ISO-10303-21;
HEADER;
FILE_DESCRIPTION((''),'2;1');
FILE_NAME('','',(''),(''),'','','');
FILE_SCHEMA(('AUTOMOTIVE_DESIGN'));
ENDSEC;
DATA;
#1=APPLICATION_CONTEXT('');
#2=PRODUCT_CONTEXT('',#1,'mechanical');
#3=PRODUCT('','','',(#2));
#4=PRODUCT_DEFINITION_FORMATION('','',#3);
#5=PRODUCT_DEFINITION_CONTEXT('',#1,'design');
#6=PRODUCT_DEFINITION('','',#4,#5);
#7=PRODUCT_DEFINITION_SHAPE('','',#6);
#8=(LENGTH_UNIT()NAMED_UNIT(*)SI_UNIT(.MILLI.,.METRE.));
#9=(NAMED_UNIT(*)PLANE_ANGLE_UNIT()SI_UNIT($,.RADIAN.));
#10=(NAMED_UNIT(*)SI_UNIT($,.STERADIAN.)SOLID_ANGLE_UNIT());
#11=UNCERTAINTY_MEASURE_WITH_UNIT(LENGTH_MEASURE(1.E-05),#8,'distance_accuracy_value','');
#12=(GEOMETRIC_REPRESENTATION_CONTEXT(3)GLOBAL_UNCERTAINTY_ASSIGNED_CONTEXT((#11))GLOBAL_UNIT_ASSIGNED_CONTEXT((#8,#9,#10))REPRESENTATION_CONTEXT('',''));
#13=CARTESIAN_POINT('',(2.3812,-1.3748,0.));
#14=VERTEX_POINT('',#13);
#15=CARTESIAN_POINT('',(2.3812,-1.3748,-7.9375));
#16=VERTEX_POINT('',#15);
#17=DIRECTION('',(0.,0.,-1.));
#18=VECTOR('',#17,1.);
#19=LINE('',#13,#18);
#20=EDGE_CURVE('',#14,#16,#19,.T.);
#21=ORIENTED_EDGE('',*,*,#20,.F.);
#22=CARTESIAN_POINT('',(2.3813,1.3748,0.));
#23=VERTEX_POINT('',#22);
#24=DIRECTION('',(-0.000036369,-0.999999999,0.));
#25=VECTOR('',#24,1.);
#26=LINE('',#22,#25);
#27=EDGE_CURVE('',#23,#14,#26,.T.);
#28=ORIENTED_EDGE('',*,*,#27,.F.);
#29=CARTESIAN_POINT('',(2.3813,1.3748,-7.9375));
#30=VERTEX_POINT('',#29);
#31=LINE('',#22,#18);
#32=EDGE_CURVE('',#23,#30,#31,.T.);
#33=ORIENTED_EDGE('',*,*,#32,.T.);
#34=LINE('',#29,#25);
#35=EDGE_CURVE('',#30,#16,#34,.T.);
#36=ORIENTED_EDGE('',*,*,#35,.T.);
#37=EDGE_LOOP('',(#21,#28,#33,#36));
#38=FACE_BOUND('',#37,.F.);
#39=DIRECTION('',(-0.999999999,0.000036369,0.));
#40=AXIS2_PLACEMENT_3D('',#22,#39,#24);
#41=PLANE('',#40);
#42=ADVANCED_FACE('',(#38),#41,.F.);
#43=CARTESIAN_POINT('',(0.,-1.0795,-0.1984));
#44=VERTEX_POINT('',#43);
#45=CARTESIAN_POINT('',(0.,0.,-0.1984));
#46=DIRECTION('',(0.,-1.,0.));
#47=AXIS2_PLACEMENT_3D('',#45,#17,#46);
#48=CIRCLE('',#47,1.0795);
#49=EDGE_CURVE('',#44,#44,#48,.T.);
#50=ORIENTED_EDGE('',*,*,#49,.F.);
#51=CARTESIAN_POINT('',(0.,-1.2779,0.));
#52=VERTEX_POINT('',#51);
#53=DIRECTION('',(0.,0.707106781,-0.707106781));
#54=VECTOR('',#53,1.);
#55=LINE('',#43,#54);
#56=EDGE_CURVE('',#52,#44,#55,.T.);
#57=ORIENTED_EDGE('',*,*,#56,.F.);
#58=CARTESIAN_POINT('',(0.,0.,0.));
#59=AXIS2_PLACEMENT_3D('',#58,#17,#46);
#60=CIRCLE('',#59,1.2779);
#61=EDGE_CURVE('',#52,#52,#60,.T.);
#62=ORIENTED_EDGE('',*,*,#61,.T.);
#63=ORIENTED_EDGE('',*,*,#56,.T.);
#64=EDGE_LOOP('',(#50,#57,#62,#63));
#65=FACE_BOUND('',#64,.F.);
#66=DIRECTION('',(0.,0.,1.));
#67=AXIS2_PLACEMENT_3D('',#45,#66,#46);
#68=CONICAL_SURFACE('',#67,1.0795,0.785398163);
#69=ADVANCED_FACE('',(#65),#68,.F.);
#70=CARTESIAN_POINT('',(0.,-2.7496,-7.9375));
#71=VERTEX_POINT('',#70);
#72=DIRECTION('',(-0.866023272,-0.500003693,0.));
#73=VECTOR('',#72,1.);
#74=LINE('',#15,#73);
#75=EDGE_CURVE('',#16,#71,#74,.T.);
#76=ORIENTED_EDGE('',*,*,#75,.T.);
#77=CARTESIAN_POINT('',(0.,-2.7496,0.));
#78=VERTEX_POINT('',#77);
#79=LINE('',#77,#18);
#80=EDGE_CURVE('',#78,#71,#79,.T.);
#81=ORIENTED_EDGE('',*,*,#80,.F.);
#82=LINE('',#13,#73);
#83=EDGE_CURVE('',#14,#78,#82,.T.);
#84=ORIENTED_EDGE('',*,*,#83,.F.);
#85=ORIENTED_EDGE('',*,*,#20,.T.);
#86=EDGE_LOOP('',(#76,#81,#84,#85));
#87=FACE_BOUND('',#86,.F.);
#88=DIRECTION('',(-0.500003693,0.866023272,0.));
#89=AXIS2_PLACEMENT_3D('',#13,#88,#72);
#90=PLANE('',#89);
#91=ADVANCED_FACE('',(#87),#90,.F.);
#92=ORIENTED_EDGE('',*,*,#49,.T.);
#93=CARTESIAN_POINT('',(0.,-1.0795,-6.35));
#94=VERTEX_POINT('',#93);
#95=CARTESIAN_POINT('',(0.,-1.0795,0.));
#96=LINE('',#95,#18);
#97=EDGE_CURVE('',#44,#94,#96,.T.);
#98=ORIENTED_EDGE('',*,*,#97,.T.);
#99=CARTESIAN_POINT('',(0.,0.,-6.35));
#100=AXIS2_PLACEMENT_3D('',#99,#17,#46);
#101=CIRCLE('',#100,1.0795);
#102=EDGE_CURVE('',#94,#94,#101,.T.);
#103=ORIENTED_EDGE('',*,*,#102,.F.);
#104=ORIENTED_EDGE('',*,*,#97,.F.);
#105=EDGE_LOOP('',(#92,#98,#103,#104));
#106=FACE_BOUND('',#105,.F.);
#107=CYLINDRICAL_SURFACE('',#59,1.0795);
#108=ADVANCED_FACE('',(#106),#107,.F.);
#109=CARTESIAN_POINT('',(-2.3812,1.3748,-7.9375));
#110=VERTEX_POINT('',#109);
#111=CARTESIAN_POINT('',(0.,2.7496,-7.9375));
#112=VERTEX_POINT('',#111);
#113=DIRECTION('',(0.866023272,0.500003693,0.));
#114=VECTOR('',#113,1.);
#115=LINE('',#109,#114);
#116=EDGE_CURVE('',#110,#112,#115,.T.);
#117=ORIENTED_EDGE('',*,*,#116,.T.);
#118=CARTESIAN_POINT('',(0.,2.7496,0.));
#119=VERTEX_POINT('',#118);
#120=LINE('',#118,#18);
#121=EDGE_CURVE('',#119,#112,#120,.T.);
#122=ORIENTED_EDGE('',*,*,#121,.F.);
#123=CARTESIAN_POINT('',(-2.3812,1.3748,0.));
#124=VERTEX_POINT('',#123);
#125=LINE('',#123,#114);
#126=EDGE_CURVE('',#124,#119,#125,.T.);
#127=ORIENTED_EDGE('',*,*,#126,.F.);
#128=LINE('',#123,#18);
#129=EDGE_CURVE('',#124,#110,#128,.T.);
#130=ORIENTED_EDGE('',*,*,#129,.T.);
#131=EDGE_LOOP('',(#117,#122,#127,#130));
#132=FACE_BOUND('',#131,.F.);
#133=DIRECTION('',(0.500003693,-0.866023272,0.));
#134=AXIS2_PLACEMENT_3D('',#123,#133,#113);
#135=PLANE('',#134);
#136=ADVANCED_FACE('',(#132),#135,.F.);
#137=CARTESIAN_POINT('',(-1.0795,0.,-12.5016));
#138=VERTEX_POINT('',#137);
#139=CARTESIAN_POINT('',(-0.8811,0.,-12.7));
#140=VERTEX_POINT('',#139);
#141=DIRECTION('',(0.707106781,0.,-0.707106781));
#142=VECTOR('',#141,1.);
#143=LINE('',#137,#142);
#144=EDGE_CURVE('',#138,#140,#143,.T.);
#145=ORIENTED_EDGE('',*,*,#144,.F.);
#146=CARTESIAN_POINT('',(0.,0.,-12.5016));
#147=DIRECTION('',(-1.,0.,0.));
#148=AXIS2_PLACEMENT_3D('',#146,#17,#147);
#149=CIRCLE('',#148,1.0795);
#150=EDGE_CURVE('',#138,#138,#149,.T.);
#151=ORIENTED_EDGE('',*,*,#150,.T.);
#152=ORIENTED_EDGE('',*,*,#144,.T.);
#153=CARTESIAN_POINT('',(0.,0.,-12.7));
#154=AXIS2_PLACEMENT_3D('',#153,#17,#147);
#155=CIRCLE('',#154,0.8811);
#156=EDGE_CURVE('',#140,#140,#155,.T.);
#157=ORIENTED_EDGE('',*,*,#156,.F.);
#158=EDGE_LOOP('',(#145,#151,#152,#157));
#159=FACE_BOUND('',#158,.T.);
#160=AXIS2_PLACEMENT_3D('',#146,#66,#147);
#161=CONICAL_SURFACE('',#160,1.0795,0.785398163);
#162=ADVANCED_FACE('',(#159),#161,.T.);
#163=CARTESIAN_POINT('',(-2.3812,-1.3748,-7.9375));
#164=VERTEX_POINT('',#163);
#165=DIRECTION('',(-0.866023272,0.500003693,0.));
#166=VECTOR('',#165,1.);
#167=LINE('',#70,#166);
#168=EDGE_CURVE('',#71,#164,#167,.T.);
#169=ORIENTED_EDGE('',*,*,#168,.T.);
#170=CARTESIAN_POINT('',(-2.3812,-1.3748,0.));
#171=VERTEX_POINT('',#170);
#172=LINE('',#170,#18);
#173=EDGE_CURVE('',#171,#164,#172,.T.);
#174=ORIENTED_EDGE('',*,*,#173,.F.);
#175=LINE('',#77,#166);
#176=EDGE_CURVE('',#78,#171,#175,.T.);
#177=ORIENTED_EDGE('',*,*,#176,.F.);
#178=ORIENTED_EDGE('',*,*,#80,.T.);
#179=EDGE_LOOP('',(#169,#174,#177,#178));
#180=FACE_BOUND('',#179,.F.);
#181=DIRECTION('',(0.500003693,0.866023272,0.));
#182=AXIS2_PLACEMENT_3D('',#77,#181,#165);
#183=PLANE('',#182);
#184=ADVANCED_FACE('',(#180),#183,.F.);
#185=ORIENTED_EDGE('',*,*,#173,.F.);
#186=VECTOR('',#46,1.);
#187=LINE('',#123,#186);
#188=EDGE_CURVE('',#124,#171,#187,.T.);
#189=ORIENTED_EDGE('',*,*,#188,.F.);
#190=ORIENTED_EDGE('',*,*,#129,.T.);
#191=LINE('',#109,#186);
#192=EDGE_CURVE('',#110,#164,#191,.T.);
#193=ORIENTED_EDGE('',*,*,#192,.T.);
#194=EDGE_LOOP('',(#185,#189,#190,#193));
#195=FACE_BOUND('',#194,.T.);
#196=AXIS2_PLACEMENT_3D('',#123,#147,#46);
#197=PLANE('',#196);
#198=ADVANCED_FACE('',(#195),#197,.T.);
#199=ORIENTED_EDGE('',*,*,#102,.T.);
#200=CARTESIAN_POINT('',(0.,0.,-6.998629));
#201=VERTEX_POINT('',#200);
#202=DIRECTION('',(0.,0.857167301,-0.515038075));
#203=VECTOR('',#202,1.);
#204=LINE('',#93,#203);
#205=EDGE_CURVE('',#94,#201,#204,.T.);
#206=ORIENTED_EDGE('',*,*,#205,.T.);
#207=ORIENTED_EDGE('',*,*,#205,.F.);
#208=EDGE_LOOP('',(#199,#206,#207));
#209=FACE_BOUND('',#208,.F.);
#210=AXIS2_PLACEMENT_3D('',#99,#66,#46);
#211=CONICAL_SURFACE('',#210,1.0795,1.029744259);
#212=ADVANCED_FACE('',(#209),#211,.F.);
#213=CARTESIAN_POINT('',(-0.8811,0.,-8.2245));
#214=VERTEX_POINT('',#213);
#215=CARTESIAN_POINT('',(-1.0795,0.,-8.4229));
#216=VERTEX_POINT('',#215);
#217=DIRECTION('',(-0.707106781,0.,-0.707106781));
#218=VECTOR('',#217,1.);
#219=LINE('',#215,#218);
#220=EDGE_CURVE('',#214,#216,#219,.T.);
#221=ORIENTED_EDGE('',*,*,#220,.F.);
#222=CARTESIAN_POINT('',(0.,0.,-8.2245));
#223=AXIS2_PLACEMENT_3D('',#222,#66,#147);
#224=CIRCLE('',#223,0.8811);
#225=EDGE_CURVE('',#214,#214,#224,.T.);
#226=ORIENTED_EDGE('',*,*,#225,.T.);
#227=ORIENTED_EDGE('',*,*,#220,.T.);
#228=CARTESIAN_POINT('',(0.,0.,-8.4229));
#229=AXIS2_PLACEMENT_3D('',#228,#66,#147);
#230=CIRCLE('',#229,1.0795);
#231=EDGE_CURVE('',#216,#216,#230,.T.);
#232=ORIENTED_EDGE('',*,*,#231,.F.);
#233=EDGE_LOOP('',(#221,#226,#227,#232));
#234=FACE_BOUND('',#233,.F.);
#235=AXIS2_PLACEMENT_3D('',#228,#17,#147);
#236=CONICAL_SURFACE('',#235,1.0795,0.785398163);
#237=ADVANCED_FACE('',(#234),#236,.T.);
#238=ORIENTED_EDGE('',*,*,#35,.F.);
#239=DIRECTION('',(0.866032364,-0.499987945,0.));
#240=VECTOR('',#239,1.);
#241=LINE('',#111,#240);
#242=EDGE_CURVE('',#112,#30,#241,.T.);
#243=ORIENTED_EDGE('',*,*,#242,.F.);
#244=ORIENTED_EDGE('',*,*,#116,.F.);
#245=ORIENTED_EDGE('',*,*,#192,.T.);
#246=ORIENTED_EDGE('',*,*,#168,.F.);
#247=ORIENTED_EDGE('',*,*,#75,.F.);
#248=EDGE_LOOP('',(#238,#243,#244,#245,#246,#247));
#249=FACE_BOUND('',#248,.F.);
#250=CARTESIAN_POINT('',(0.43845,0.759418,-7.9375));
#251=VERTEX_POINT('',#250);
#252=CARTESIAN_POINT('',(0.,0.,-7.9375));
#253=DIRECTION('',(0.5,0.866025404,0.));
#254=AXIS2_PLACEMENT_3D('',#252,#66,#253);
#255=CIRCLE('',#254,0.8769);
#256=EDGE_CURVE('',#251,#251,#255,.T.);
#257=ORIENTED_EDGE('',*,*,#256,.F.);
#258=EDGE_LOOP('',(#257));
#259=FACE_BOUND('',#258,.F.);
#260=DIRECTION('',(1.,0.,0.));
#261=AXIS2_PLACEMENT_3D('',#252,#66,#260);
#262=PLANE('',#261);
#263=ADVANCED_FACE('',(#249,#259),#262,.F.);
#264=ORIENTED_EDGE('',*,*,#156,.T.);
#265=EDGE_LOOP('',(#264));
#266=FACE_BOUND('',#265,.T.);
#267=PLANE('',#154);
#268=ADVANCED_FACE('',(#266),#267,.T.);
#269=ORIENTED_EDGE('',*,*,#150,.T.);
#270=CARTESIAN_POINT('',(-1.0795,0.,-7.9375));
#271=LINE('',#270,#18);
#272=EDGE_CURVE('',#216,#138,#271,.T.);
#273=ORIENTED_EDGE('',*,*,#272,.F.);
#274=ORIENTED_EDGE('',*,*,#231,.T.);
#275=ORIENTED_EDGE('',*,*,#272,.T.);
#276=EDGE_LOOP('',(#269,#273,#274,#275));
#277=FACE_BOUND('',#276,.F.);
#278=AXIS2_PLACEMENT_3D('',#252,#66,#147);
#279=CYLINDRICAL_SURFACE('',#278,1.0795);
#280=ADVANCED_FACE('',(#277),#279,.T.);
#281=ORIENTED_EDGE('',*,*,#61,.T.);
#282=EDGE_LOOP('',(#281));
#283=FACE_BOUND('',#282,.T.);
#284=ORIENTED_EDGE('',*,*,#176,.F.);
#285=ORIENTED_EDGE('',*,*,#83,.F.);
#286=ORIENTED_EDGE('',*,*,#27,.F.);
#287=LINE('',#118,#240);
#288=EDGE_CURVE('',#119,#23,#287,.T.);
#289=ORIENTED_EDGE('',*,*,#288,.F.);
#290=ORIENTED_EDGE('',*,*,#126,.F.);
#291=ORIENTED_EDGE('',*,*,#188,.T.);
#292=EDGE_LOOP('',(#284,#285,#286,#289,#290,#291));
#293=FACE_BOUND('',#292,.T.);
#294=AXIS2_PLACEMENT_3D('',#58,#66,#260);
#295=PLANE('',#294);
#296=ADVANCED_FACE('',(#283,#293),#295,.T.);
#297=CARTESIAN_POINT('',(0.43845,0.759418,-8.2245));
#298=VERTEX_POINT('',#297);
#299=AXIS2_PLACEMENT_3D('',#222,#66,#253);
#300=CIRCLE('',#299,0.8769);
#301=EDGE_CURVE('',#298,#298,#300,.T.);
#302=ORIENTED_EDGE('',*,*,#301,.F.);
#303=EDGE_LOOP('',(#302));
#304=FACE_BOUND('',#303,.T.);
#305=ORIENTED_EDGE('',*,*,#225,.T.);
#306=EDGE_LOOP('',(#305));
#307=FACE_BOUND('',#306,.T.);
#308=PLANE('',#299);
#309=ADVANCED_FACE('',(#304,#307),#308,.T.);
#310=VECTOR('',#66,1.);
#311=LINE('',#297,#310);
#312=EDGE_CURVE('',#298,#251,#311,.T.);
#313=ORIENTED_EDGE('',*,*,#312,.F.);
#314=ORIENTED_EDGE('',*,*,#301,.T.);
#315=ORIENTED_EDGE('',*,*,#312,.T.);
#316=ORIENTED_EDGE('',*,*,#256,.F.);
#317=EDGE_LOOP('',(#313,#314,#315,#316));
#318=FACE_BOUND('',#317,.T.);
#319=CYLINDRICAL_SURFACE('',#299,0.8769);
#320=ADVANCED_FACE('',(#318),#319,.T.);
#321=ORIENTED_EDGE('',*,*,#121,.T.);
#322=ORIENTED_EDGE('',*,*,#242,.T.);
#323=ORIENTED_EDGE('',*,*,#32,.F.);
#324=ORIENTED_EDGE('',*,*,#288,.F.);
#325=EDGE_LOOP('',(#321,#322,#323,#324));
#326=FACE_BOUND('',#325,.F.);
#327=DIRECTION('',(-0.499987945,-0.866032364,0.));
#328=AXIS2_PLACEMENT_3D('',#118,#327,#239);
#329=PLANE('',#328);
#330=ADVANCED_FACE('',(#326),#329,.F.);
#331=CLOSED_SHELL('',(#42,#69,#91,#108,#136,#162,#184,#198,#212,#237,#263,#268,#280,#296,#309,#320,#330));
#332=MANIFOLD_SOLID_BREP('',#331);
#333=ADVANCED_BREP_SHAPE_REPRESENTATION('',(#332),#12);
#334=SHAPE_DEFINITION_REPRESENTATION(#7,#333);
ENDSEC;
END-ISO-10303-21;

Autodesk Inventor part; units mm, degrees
ref_plane "YZ Plane" through (0, 0, 0) normal (1, 0, 0) x (0, 1, 0)
ref_plane "XZ Plane" through (0, 0, 0) normal (0, 1, 0) x (-1, 0, 0)
sketch "Sketch2" plane through (0, 0, 0) normal (0, 0, 1) x (1, 0, 0)
  line L0 (2.3813, 1.3748) -> (2.3812, -1.3748)
  line L1 (2.3812, -1.3748) -> (0, -2.7496)
  line L2 (0, -2.7496) -> (-2.3812, -1.3748)
  line L3 (-2.3812, 1.3748) -> (-2.3812, -1.3748)
  line L4 (-2.3812, 1.3748) -> (0, 2.7496)
  line L5 (0, 2.7496) -> (2.3813, 1.3748)
  circle A0 centre (0, 0) radius 2.7496 construction
  line L6 (0, 25.4) -> (0, -25.4) construction
  dimension "d3" = 4.7625
extrude "Hexagon1" add sketch "Sketch2" against normal blind 7.9375
sketch "Sketch3" plane through (0, 0, -7.9375) normal (0, 0, -1) x (-1, 0, 0)
  circle A0 centre (0, 0) radius 1.0795
  dimension "d11" = 2.159
sketch "Sketch4" plane through (0, 0, 0) normal (0, 0, 1) x (1, 0, 0)
  point P0 (0, 0)
hole "Hole1" at (0, 0, 0) direction (0, 0, -1) diameter 2.159 depth 6.35 tip angle 118
extrude "Extrusion2" add sketch "Sketch3" along normal blind 4.7625
chamfer "Chamfer1" distance 0.1984 angle 45 1 edges at (1.0795, 0, -12.7)
chamfer "Chamfer2" distance 0.1984 angle 45 1 edges at (0, 1.0795, 0)
thread "Thread1" size "2-56 UNC" class "2A" standard "ANSI Unified Screw Threads" full length
ref_plane "Work Plane1" through (0, 0, -12.6008) normal (0.866, -0.5, 0) x (0, 0, 1)
sketch "Sketch5" plane through (0, 0, -12.6008) normal (0.866, -0.5, 0) x (0, 0, 1)
  line L0 (4.6633, 0) -> (4.6633, -2.3812) projected
  line L1 (4.6633, -1.0795) -> (0.0992, -1.0795) projected
  line L2 (4.6633, -1.0795) -> (4.3763, -1.0795)
  line L3 (4.3763, -1.0795) -> (4.3763, -0.8769)
  line L4 (4.3763, -0.8769) -> (4.6633, -0.8769)
  line L5 (4.6633, -0.8769) -> (4.6633, -1.0795)
  line L6 (-2.6392, 0) -> (15.1408, 0) projected
revolve "Revolution1" cut sketch "Sketch5" angle 360 about axis through (0, 0, -10) along (0, 0, 1)
chamfer "Chamfer3" distance 0.1984 angle 45 1 edges at (1.0795, 0, -8.2244)
properties part number "219-1048" material "Steel, Mild"
